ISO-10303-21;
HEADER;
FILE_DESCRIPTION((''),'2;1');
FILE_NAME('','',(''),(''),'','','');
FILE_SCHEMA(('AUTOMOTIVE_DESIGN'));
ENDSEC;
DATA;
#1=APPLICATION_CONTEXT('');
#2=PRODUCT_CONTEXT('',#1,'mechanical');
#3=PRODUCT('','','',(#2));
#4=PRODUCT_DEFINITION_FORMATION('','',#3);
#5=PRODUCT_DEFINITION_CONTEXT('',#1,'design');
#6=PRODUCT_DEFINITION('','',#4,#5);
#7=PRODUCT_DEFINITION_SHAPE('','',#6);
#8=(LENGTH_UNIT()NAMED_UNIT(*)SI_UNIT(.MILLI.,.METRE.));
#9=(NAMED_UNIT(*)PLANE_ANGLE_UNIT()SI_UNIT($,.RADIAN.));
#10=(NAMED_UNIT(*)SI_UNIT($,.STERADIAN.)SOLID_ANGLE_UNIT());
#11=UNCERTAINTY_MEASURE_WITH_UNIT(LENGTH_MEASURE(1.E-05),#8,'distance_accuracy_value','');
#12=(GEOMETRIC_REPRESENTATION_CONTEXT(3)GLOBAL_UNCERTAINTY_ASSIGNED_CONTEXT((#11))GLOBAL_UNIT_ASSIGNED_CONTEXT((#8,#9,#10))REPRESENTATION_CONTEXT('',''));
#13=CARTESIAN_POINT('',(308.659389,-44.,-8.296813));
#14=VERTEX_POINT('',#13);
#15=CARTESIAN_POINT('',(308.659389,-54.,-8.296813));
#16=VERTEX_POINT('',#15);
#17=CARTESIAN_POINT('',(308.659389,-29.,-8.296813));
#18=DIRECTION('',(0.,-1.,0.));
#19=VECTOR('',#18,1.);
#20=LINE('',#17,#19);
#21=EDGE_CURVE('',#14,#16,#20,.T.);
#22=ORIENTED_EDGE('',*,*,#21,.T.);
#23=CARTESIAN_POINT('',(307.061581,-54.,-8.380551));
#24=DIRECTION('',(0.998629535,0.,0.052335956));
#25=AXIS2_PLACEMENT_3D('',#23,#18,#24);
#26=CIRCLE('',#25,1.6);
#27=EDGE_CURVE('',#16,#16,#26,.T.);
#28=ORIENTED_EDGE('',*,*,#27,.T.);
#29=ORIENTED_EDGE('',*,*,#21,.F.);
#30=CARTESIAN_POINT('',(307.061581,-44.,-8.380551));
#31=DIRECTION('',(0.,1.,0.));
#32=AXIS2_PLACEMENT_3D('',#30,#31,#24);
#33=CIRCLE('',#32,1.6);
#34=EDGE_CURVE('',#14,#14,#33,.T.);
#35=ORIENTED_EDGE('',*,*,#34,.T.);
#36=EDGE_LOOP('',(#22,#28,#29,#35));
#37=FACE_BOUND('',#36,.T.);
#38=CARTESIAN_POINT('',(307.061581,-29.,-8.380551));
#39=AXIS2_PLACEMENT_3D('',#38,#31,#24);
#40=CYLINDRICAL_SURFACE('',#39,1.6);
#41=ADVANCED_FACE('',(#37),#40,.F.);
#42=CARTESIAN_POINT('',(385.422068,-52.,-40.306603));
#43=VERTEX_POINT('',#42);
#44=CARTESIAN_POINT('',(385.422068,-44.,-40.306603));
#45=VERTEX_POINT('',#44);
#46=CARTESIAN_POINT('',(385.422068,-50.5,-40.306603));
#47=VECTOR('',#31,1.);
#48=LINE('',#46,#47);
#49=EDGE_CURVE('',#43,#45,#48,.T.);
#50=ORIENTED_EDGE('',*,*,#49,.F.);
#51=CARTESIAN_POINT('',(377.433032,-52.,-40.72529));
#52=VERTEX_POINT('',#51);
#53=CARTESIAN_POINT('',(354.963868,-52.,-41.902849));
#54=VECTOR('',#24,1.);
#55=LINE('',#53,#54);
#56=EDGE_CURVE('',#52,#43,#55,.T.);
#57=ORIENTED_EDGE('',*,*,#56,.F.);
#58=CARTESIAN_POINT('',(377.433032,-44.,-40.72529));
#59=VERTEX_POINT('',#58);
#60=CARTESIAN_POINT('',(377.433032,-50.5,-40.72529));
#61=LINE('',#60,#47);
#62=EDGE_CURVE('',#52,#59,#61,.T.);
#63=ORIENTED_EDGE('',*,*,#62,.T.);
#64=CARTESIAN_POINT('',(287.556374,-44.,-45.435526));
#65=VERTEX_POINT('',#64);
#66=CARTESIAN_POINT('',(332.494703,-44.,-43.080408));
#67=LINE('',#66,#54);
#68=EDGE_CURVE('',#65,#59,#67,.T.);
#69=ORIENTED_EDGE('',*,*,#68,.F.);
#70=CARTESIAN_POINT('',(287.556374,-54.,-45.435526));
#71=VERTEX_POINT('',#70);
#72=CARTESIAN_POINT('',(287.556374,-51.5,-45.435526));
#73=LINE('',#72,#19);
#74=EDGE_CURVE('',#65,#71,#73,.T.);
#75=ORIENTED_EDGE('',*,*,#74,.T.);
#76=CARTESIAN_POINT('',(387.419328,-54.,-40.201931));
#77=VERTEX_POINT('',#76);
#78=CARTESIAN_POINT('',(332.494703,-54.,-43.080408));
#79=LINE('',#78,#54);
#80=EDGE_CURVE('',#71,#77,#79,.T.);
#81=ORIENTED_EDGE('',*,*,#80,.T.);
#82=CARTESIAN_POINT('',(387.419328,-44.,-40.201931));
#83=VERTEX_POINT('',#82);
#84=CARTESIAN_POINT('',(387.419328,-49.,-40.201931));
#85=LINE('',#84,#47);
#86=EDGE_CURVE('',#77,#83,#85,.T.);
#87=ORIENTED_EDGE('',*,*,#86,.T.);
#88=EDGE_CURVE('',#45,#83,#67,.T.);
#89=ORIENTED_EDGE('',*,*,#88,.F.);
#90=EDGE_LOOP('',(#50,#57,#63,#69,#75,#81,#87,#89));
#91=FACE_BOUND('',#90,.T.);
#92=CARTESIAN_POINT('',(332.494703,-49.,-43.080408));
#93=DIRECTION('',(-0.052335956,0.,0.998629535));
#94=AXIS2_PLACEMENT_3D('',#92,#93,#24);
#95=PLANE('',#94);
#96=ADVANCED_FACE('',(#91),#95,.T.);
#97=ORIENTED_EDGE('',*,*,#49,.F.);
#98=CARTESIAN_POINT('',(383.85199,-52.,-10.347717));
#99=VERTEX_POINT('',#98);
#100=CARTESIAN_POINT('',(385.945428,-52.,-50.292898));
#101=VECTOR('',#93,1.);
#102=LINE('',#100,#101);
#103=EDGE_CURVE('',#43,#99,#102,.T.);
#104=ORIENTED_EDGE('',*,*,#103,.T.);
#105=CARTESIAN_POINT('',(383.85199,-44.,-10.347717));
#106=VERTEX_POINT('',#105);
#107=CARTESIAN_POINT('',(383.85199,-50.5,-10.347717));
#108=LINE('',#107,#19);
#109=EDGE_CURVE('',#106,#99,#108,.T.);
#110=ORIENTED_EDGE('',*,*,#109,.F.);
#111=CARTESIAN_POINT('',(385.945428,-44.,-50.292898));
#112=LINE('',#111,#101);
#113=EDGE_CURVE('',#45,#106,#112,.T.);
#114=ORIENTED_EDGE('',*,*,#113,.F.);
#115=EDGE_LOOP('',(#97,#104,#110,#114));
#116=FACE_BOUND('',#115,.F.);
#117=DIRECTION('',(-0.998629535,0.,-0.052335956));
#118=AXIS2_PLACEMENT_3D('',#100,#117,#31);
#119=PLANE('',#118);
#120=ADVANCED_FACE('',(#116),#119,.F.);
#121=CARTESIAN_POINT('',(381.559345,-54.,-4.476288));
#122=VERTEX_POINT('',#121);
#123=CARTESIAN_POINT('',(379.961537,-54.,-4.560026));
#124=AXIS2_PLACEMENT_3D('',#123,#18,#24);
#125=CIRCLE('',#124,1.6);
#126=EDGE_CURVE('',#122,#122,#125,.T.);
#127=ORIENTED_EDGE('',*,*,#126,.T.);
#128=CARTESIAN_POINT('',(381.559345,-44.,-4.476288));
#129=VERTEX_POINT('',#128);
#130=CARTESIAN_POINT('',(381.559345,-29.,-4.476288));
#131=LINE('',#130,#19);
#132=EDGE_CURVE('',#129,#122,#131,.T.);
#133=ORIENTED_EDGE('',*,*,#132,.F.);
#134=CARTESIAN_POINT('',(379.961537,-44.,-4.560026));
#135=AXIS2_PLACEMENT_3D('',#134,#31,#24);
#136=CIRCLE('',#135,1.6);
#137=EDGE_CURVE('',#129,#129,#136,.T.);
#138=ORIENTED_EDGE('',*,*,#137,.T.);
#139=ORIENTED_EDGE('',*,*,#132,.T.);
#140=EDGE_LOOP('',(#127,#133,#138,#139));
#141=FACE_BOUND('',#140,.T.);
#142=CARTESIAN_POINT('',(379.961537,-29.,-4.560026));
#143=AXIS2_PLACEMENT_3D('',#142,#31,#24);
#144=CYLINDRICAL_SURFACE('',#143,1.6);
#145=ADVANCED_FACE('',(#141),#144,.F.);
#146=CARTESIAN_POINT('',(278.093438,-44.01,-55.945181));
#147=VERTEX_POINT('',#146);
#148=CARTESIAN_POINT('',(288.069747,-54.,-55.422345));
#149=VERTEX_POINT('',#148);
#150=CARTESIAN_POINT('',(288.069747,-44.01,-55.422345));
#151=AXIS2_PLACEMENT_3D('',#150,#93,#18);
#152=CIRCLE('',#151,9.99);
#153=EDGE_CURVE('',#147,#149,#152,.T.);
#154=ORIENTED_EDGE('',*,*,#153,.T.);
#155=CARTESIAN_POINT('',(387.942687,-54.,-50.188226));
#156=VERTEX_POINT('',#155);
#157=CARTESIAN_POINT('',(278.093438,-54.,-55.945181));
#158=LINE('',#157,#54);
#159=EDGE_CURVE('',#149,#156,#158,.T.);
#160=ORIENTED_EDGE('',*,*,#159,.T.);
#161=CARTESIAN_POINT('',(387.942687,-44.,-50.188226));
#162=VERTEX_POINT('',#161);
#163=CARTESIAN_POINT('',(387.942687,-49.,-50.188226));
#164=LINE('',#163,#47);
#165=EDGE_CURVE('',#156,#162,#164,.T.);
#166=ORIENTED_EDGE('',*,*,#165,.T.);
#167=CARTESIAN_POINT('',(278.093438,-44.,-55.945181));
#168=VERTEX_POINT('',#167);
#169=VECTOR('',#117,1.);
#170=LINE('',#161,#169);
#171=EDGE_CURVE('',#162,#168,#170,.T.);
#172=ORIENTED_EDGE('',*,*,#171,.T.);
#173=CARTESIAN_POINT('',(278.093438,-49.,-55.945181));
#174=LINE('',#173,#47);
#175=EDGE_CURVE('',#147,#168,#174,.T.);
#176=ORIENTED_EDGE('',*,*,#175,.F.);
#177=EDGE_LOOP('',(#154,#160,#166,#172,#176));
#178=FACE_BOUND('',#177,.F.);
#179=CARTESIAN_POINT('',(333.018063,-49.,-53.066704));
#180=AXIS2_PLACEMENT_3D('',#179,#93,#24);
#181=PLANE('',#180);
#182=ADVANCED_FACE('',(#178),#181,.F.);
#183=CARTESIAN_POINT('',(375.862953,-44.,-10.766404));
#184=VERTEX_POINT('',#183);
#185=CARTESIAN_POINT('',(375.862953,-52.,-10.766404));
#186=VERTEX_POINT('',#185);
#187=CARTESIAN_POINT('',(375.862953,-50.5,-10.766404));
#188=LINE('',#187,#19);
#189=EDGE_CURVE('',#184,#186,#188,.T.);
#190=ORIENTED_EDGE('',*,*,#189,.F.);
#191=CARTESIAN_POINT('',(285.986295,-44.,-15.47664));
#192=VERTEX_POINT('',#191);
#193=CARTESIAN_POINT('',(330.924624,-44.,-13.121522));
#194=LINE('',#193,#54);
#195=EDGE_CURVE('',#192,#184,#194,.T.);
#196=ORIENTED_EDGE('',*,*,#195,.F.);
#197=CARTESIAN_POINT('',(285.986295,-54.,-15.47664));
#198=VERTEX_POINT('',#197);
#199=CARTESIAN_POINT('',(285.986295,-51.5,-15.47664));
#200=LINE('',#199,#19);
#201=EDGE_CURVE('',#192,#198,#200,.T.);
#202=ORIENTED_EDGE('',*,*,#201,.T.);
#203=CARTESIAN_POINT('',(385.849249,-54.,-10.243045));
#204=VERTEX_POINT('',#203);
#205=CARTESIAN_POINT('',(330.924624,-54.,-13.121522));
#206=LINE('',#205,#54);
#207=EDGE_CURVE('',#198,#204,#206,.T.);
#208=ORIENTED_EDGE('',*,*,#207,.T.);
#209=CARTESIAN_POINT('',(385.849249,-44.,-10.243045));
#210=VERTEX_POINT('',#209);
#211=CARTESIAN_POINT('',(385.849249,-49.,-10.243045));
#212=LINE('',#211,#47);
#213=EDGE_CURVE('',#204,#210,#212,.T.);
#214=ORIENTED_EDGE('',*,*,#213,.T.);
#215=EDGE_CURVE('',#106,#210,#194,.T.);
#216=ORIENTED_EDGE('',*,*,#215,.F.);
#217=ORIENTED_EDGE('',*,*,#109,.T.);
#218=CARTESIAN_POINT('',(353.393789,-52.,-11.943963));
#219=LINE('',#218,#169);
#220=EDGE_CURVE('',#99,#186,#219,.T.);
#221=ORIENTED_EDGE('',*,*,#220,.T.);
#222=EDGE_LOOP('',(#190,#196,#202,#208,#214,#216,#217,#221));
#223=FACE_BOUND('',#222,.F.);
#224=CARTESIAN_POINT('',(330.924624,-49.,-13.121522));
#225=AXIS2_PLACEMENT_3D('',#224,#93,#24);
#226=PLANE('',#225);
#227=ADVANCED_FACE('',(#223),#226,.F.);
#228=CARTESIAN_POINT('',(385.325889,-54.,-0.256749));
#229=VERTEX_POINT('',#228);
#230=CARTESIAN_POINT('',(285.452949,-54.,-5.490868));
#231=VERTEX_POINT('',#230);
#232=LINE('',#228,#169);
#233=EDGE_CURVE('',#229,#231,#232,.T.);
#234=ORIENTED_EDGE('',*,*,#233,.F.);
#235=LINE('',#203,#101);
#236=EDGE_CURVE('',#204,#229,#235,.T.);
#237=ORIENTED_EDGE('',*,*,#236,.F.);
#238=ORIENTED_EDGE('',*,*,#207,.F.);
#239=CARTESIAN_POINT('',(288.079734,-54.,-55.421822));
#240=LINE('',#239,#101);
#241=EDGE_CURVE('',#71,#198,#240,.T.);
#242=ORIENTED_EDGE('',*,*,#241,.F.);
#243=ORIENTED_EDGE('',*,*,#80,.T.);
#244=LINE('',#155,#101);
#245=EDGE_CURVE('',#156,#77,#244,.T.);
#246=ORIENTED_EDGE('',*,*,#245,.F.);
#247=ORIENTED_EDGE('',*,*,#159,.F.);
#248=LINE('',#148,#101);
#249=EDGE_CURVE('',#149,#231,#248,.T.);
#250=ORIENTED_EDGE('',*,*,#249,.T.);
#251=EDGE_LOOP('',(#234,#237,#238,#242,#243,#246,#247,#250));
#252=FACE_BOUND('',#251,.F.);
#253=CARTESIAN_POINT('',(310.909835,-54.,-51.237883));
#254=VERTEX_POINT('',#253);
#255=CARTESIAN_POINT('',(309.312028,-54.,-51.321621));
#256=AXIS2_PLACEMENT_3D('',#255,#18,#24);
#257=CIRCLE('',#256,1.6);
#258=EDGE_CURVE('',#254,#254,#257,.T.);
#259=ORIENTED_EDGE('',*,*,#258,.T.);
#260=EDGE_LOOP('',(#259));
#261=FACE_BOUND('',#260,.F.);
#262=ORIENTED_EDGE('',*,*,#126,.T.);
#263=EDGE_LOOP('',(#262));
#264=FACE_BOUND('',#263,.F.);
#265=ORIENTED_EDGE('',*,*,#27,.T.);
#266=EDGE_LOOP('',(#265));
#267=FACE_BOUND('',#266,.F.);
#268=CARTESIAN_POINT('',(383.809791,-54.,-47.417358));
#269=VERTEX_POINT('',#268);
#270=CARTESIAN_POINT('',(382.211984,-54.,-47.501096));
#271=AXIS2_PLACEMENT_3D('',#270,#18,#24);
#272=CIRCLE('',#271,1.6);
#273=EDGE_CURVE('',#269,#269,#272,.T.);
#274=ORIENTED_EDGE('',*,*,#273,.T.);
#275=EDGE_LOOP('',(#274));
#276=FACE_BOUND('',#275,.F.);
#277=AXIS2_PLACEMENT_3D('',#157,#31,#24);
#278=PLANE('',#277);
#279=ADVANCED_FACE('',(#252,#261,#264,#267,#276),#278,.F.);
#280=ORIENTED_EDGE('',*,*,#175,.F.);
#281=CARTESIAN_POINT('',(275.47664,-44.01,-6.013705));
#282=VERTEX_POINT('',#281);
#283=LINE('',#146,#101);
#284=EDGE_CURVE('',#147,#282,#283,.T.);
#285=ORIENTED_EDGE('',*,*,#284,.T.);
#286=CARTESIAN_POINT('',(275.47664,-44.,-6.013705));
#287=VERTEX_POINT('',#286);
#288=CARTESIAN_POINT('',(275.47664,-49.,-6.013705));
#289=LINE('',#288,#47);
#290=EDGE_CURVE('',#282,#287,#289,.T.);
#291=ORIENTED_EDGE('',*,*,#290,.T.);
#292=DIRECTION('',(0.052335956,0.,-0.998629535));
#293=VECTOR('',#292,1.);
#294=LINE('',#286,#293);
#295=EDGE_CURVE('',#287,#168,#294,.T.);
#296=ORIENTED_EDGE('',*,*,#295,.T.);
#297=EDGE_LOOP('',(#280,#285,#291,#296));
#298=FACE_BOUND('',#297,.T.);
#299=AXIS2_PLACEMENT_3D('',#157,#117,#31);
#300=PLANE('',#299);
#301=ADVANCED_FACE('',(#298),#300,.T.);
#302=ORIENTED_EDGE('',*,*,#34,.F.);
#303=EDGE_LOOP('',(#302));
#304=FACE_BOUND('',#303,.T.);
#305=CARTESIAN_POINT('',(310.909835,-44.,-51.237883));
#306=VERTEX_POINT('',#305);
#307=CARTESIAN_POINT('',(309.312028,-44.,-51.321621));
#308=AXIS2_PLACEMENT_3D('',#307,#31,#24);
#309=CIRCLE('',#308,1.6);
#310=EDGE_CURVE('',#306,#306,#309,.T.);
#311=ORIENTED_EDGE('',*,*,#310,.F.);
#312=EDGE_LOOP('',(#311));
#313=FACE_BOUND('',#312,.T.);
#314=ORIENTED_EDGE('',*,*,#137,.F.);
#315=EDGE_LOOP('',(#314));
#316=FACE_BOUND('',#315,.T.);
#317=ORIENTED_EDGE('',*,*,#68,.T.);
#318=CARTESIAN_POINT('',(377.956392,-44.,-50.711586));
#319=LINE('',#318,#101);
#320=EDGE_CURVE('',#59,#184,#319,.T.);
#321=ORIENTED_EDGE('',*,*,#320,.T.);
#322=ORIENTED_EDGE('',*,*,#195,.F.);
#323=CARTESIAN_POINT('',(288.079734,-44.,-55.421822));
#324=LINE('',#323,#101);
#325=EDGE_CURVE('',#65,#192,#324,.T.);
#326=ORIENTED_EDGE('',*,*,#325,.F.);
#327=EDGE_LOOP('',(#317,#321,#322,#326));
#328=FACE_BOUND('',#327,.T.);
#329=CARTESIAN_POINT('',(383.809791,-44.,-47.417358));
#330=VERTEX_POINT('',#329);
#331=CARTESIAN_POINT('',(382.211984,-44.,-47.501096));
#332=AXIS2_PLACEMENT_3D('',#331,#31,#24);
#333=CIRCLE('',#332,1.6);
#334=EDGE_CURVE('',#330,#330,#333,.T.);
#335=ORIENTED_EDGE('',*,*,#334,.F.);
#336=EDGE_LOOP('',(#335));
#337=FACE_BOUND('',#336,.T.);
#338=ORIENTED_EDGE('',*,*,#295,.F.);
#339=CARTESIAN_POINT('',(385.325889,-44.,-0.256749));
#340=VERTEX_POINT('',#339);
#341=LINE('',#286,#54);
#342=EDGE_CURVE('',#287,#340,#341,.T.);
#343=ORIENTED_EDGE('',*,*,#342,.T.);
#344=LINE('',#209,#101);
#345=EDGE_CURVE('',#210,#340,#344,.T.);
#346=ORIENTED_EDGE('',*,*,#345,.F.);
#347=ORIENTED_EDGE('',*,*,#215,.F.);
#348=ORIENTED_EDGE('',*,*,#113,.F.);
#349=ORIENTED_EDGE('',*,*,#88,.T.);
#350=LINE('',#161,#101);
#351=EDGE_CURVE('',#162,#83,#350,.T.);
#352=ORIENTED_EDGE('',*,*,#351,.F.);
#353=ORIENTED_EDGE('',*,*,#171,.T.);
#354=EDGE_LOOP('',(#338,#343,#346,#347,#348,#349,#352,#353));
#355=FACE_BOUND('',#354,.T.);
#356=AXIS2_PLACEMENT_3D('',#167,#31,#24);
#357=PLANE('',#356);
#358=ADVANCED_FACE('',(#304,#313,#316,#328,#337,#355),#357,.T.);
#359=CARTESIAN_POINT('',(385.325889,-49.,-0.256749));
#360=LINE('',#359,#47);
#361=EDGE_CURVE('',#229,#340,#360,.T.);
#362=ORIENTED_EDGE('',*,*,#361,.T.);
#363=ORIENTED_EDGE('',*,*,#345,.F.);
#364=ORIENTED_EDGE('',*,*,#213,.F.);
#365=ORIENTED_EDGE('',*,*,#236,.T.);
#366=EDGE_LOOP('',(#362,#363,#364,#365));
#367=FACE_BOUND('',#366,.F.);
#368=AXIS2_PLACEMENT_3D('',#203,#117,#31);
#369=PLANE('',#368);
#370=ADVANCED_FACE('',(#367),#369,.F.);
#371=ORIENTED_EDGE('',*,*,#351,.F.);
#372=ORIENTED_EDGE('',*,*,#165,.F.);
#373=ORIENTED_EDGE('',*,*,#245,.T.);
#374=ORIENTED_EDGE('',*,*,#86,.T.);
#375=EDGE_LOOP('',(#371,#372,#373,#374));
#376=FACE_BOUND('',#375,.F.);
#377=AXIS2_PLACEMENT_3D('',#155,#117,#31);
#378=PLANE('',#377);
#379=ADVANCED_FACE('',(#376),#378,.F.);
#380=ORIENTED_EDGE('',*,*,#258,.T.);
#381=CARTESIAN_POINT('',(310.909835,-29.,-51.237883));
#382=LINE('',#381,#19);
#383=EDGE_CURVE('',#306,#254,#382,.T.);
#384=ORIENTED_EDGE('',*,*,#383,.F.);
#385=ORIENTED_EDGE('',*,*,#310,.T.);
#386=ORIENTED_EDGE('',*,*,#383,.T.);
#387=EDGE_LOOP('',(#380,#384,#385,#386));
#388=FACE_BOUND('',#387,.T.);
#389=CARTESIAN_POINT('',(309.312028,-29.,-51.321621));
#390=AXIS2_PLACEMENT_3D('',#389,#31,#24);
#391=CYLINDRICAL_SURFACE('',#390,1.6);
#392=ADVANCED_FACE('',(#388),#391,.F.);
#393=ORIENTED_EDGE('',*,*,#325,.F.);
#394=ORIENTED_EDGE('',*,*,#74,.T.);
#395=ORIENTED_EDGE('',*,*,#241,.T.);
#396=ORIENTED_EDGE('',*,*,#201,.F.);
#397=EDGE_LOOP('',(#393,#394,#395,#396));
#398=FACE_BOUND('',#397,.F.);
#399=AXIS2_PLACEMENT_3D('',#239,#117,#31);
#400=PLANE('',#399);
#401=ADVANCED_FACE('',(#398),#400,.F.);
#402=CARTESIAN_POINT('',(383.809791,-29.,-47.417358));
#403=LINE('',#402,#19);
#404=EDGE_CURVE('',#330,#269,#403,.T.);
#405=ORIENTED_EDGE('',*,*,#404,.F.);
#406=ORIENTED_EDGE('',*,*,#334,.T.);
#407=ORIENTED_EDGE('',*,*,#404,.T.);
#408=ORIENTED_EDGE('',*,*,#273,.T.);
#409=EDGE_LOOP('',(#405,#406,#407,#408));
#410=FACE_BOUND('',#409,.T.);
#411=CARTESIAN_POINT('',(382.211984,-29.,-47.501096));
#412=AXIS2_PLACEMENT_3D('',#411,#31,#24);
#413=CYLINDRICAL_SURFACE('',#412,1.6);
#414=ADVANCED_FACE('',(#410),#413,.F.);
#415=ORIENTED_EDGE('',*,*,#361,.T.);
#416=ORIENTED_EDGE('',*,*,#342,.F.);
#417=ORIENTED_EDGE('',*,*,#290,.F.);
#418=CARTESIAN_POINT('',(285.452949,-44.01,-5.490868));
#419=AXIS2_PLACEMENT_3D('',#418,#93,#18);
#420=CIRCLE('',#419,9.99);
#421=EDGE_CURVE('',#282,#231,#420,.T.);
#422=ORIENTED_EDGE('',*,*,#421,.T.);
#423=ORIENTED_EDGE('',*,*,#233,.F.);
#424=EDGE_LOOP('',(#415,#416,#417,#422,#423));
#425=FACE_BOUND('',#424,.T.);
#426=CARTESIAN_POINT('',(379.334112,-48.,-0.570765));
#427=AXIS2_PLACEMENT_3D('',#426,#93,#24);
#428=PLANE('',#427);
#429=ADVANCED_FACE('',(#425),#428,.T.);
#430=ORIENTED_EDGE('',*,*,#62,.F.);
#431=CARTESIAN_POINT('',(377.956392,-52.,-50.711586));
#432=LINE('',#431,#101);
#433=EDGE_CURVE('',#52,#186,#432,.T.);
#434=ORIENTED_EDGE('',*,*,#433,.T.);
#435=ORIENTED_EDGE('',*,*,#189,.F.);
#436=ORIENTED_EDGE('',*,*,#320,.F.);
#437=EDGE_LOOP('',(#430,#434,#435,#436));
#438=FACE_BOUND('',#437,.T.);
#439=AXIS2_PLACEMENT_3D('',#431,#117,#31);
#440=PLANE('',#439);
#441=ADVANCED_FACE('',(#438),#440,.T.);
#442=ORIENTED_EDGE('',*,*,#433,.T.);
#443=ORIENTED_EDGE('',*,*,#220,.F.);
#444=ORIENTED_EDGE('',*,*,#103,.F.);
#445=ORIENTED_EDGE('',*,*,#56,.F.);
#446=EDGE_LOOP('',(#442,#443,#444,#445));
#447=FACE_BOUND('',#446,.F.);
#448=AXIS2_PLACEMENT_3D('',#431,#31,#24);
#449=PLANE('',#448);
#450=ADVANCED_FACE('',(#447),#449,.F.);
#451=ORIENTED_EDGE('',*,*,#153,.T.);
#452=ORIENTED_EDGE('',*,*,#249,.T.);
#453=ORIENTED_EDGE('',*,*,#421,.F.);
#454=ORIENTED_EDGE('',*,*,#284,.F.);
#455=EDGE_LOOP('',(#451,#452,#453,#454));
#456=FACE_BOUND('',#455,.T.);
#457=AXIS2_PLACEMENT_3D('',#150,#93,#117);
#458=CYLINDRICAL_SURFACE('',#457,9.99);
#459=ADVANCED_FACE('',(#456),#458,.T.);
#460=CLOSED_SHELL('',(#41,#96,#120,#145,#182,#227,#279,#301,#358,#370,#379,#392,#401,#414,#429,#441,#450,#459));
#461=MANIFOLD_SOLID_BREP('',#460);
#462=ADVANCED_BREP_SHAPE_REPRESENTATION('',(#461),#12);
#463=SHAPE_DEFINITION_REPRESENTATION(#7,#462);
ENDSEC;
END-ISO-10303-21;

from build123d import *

# Parameters (mm, degrees)
CYLINDER127_R             = 1.6
CYLINDER127_DEPTH         = 25
CYLINDER126_R             = 1.6
CYLINDER126_DEPTH         = 25
CYLINDER128_R             = 1.6
CYLINDER128_DEPTH         = 25
CYLINDER129_R             = 1.6
CYLINDER129_DEPTH         = 25
FUSION106_PLACEMENT_ANGLE = 3
BOX058_W                  = 8
BOX058_H                  = 8
BOX058_DEPTH              = 50
BOX057_W                  = 110
BOX057_H                  = 10
BOX057_DEPTH              = 10
BOX059_W                  = 10
BOX059_H                  = 10
BOX059_DEPTH              = 50
BOX056_W                  = 110
BOX056_H                  = 10
BOX056_DEPTH              = 10
FILLET026_R               = 9.99
FILLET026_PLACEMENT_ANGLE = 3


with BuildPart() as cylinder127:
    # Cylinder127 → Cylinder127 (new body)
    with BuildSketch(Plane(origin=(76.5, 96, 46.5), x_dir=(1, 0, 0), z_dir=(0, -1, 0))):
        Circle(CYLINDER127_R)
    extrude(amount=CYLINDER127_DEPTH)


with BuildPart() as cylinder126:
    # Cylinder126 → Cylinder126 (new body)
    with BuildSketch(Plane(origin=(76.5, 96, 3.5), x_dir=(1, 0, 0), z_dir=(0, -1, 0))):
        Circle(CYLINDER126_R)
    extrude(amount=CYLINDER126_DEPTH)


with BuildPart() as cylinder128:
    # Cylinder128 → Cylinder128 (new body)
    with BuildSketch(Plane(origin=(3.5, 96, 46.5), x_dir=(1, 0, 0), z_dir=(0, -1, 0))):
        Circle(CYLINDER128_R)
    extrude(amount=CYLINDER128_DEPTH)


with BuildPart() as fusion106:
    # Cylinder129 → Cylinder129 (new body)
    with BuildSketch(Plane(origin=(3.5, 96, 3.5), x_dir=(1, 0, 0), z_dir=(0, -1, 0))):
        Circle(CYLINDER129_R)
    extrude(amount=CYLINDER129_DEPTH)

    # Fusion106: union Cylinder127, Cylinder126, Cylinder128
    add(cylinder127.part)
    add(cylinder126.part)
    add(cylinder128.part)


with BuildPart() as fusion106_1:
    # Fusion106 placement: moved
    add(fusion106.part.moved(Location((306, -120, -55))).rotate(Axis((306, -120, -55), (0, -1, 0)), FUSION106_PLACEMENT_ANGLE))


with BuildPart() as cube037:
    # Box058 → Box058 (new body)
    with BuildSketch(Plane(origin=(100, 2, -40), x_dir=(1, 0, 0), z_dir=(0, 0, 1))):
        with Locations((4, 4)):
            Rectangle(BOX058_W, BOX058_H)
    extrude(amount=BOX058_DEPTH)


with BuildPart() as cube036:
    # Box057 → Box057 (new body)
    with BuildSketch(Plane.XY.offset(-40)):
        with Locations((55, 5)):
            Rectangle(BOX057_W, BOX057_H)
    extrude(amount=BOX057_DEPTH)


with BuildPart() as cube038:
    # Box059 → Box059 (new body)
    with BuildSketch(Plane.XY.offset(-40)):
        with Locations((5, 5)):
            Rectangle(BOX059_W, BOX059_H)
    extrude(amount=BOX059_DEPTH)


with BuildPart() as cut067:
    # Box056 → Box056 (new body)
    with BuildSketch(Plane.XY):
        with Locations((55, 5)):
            Rectangle(BOX056_W, BOX056_H)
    extrude(amount=BOX056_DEPTH)

    # Fusion100: union Cube037, Cube036, Cube038
    add(cube037.part)
    add(cube036.part)
    add(cube038.part)

    # Fillet026
    fillet026_edges = [cut067.edges().sort_by_distance(p)[0] for p in [
        (0, 0, -15),
    ]]
    fillet(fillet026_edges, radius=FILLET026_R)


with BuildPart() as cut067_1:
    # Fillet026 placement: moved
    add(cut067.part.moved(Location((276, -49, -16))).rotate(Axis((276, -49, -16), (0, -1, 0)), FILLET026_PLACEMENT_ANGLE))

    # Cut067: cut Fusion106
    add(fusion106_1.part, mode=Mode.SUBTRACT)


with BuildPart() as cut067_2:
    # Cut067 placement: moved
    add(cut067_1.part.moved(Location((0, -5, 0))))


solid = cut067_2.part
